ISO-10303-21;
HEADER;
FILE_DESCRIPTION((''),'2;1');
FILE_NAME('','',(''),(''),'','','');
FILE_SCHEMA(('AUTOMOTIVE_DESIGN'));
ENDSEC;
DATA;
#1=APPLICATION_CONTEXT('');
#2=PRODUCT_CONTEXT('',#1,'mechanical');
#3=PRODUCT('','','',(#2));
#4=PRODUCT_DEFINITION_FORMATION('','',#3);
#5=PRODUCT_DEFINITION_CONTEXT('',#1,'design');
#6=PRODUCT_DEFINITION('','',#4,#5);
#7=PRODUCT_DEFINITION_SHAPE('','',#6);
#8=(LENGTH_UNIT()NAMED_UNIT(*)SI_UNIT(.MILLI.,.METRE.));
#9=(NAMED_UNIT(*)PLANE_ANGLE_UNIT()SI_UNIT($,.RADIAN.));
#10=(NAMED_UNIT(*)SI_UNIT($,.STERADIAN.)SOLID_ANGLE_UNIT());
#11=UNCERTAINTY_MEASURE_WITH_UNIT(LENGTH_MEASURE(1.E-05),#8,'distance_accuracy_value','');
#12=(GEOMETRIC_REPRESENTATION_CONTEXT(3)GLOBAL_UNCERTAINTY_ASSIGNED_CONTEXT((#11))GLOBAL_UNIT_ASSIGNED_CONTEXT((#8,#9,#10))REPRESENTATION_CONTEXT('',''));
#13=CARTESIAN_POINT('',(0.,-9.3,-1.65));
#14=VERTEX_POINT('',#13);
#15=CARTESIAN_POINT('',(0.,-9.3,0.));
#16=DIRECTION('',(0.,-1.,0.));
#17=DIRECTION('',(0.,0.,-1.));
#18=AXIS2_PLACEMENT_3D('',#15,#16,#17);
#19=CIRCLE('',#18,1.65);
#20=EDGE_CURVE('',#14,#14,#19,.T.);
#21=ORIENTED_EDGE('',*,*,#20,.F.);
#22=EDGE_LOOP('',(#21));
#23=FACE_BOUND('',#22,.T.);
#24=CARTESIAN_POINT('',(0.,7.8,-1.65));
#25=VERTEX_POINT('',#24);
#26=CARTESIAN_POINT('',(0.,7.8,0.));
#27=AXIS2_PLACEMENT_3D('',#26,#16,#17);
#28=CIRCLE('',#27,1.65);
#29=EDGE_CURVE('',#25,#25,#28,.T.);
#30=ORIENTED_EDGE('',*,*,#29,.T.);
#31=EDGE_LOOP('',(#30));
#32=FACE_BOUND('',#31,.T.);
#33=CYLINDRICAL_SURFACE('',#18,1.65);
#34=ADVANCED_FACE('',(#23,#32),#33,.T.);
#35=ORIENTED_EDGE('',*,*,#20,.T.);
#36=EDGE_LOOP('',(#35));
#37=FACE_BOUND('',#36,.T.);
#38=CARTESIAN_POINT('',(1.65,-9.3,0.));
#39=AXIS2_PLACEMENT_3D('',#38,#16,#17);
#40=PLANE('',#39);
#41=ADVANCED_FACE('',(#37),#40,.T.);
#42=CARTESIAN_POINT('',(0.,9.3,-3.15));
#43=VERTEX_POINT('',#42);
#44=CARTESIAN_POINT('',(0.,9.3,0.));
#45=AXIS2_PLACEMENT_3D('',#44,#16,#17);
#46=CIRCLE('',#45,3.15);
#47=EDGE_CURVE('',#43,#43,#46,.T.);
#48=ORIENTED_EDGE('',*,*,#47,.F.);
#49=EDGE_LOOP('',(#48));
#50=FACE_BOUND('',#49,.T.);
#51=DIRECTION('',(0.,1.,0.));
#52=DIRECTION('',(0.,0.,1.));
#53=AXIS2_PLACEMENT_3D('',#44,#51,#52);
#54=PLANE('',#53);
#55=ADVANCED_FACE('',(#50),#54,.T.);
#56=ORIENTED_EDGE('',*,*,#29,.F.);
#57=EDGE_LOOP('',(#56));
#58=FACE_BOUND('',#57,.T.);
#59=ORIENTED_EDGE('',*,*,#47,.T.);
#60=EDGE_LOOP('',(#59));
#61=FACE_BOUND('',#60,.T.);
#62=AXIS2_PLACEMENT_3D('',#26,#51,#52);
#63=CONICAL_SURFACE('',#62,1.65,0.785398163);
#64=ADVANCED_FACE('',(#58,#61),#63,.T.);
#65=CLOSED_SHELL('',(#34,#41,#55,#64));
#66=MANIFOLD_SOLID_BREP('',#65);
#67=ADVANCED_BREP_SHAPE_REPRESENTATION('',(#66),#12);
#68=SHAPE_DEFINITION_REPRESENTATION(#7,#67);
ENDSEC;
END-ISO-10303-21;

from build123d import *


with BuildPart() as part:
    # Sketch1 → Revolve1 (revolve)
    with BuildSketch(Plane.XY, mode=Mode.PRIVATE) as revolve1_sk:
        Polygon((0, -9.3), (0, 9.3), (3.15, 9.3), (1.65, 7.8), (1.65, -9.3), align=None)
    revolve(revolve1_sk.sketch.rotate(Axis((0, -9.3, 0), (0, 1, 0)), 90), axis=Axis((0, -9.3, 0), (0, 1, 0)))


solid = part.part
